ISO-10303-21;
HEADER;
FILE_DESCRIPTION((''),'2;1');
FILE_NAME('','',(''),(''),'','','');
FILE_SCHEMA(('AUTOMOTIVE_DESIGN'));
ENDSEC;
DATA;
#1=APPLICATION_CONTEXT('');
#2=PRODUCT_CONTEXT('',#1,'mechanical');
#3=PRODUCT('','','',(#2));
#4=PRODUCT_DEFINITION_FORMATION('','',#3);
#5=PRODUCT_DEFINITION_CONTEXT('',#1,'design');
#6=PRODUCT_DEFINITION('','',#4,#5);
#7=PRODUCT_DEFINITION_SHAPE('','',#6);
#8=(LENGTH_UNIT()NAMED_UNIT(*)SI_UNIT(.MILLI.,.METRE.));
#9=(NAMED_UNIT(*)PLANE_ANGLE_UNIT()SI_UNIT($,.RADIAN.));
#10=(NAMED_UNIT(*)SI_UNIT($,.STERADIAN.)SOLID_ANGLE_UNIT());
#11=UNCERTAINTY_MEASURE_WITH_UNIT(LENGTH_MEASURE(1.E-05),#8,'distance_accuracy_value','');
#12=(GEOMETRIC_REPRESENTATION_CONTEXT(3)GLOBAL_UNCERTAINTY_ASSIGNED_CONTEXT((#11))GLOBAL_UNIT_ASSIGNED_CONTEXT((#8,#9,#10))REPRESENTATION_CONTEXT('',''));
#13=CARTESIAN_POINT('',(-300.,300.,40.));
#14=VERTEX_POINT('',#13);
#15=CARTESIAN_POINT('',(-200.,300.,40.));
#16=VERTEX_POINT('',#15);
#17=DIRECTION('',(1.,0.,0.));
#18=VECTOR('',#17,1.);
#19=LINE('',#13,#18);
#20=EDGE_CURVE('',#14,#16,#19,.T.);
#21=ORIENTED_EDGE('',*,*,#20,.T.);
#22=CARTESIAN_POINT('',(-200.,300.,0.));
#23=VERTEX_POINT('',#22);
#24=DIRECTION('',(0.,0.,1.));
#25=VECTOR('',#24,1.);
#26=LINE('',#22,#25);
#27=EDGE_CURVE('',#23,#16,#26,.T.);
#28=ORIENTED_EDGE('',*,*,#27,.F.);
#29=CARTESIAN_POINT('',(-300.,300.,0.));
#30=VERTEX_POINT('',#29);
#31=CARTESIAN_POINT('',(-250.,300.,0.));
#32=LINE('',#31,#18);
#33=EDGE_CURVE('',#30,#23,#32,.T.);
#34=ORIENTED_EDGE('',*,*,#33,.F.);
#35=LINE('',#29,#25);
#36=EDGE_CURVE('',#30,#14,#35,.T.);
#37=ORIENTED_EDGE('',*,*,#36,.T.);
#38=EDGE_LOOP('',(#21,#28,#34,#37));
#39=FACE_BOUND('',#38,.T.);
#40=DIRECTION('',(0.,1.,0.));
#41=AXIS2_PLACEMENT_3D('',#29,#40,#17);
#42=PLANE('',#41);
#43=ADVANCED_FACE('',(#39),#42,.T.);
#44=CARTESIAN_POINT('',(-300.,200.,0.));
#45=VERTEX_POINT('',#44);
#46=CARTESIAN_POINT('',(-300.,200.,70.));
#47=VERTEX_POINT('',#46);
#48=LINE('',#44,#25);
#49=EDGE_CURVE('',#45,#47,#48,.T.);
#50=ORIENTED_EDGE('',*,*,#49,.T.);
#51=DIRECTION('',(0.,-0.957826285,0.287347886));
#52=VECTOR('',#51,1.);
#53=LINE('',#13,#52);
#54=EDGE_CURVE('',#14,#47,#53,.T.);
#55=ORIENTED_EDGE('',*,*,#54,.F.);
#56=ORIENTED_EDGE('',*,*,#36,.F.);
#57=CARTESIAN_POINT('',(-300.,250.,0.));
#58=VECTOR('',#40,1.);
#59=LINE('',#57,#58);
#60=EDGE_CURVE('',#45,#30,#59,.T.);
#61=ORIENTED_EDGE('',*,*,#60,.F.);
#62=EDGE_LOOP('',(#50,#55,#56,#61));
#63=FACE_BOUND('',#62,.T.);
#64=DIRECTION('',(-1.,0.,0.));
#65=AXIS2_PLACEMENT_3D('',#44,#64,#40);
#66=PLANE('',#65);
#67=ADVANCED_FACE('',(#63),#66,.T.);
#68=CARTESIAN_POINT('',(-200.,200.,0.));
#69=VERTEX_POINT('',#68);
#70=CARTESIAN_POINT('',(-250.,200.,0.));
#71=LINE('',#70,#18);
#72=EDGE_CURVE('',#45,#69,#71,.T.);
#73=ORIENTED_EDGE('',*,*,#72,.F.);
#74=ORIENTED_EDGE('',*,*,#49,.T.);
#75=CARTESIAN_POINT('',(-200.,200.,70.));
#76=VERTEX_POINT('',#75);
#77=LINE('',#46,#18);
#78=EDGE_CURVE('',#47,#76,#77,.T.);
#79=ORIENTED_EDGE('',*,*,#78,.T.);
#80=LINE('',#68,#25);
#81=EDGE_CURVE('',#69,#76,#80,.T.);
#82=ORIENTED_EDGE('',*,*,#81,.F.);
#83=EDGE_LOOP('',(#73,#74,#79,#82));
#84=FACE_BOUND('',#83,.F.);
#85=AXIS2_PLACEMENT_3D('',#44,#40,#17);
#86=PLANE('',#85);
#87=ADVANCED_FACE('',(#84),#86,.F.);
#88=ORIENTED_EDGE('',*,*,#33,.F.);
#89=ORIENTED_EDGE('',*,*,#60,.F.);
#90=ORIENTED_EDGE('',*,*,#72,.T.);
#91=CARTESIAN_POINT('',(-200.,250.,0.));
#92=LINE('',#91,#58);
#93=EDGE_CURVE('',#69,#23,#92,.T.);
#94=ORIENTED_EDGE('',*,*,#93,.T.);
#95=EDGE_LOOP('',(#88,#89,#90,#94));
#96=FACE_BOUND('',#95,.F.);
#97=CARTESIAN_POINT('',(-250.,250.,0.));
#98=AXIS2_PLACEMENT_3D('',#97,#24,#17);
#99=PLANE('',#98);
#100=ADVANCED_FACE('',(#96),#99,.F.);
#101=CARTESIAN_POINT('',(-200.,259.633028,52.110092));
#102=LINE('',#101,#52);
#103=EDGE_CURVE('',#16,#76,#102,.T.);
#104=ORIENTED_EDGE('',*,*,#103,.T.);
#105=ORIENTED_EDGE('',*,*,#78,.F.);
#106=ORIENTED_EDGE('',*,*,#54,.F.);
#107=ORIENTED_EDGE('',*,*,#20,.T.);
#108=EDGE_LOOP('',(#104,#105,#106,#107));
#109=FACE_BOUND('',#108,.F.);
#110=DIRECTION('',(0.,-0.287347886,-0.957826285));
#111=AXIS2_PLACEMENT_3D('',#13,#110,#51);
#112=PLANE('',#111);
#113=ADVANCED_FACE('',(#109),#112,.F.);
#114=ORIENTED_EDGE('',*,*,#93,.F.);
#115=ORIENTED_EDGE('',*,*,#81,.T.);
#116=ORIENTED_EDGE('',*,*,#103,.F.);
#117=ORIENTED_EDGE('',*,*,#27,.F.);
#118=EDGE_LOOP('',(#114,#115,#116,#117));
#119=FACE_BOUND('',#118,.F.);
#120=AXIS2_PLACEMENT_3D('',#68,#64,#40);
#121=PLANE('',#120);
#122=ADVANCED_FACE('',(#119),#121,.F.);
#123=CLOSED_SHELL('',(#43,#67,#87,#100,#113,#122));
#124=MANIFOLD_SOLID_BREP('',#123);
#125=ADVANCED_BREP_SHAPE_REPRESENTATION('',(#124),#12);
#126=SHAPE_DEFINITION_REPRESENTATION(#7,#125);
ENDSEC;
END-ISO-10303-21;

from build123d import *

# Parameters (mm, degrees)
F1_W     = 100
F1_H     = 100
F2_DEPTH = 100
F4_DEPTH = 154


with BuildPart() as f2:
    # F1 (on Top) → F2 (new body)
    with BuildSketch(Plane.XY):
        with Locations((-250, 250)):
            Rectangle(F1_W, F1_H)
    extrude(amount=F2_DEPTH)

    # F3 (on face) → F4 (cut)
    with BuildSketch(Plane(origin=(-300, 0, 0), x_dir=(0, -1, 0), z_dir=(-1, 0, 0))):
        Polygon((-300, 100), (-300, 40), (-200, 70), (-200, 100), align=None)
    extrude(amount=-F4_DEPTH, mode=Mode.SUBTRACT)


solid = f2.part
